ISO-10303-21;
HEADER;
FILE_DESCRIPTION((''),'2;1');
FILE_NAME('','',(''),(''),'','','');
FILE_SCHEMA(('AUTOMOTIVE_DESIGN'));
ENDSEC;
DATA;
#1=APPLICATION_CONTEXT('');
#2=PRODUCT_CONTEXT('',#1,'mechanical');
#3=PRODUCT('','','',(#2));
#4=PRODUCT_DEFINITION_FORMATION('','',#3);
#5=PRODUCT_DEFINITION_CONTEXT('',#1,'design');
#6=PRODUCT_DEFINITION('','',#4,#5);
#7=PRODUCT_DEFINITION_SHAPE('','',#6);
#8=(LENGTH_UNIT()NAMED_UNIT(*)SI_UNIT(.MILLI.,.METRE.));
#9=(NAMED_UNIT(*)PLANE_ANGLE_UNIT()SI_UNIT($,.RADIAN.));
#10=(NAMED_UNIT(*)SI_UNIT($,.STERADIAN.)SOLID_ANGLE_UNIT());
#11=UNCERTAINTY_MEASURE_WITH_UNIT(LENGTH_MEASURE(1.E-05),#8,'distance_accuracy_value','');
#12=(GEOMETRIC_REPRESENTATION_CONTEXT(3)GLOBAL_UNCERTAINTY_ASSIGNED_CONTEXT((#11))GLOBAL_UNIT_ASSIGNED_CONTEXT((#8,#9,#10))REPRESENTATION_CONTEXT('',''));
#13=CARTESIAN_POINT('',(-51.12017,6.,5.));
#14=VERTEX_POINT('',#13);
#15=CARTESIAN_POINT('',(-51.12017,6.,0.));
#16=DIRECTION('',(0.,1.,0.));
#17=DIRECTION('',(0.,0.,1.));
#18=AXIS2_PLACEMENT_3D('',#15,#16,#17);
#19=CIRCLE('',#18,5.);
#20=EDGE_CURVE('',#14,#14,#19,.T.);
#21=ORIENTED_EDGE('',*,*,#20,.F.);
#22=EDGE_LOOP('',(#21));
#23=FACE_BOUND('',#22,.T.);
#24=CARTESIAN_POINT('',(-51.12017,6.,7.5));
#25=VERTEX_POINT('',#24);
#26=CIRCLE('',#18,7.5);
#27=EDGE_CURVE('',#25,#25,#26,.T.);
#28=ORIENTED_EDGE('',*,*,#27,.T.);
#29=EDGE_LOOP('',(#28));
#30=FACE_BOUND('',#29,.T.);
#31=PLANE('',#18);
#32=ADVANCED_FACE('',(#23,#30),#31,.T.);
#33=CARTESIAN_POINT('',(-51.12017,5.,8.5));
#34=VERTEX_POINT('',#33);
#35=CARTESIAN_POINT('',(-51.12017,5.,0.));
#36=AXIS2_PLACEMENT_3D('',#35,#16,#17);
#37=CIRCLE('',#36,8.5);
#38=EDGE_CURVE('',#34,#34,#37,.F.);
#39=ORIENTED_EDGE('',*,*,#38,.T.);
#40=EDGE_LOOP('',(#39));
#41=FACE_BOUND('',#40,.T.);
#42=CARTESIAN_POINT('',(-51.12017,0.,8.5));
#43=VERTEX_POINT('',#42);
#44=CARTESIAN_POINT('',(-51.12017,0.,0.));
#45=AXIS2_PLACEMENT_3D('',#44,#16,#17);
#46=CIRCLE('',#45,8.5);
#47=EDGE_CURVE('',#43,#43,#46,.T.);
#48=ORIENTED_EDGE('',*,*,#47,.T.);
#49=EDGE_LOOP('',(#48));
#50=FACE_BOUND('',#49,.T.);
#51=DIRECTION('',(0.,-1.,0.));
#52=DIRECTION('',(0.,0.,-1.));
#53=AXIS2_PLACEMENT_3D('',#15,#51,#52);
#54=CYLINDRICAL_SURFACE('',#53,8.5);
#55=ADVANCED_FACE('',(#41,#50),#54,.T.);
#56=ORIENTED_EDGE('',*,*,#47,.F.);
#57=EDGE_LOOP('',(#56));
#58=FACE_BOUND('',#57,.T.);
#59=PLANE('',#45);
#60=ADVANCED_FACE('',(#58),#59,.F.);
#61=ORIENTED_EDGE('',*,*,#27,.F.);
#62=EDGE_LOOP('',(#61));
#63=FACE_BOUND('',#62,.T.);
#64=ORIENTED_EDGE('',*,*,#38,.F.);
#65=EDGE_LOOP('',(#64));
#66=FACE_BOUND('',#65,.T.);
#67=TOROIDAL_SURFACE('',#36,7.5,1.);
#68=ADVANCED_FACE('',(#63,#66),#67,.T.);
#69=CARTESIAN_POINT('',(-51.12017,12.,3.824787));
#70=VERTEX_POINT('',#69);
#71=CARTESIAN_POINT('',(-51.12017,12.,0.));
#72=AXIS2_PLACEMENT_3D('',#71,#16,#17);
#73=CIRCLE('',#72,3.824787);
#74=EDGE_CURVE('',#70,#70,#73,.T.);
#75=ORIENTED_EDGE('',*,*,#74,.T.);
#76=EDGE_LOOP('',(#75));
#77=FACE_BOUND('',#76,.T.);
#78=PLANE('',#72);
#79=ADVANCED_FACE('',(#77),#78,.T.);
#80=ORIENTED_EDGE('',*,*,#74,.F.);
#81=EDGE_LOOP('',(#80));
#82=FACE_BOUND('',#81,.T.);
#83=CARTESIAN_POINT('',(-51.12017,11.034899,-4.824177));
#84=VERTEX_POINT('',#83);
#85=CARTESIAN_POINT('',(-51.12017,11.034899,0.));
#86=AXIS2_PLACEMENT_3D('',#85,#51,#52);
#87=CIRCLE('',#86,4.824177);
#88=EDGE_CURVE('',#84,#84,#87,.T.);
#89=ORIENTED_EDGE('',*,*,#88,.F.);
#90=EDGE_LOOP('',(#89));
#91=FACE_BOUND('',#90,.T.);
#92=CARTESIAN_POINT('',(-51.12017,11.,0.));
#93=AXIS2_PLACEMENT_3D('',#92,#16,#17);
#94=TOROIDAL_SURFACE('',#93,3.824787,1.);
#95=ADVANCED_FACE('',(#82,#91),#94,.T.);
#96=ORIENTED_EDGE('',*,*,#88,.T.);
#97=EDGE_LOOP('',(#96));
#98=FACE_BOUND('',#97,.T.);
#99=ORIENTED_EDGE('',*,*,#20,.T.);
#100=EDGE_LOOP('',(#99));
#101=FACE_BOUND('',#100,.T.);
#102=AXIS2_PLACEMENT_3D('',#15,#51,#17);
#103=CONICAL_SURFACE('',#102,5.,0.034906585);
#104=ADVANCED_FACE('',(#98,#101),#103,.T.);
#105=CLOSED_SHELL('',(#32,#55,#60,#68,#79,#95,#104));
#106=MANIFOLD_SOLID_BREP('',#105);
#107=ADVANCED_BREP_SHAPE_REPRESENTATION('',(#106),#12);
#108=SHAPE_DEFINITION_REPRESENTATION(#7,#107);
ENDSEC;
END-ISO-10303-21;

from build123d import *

# Parameters (mm, degrees)
SKETCH1_R           = 8.5
BOSS_EXTRUDE1_DEPTH = 6
FILLET2_R           = 1
SKETCH2_R           = 5
BOSS_EXTRUDE3_DEPTH = 6
BOSS_EXTRUDE3_TAPER = 2
FILLET4_R           = 1


with BuildPart() as part:
    # Sketch1 → Boss-Extrude1 (new body)
    with BuildSketch(Plane(origin=(0, 0, 0), x_dir=(1, 0, 0), z_dir=(0, 1, 0))):
        with Locations(Location((-51.120170416, 0, 0), (0, 0, 270))):
            Circle(SKETCH1_R)
    extrude(amount=BOSS_EXTRUDE1_DEPTH)

    # Fillet2
    fillet2_edges = [part.edges().sort_by_distance(p)[0] for p in [
        (-51.120170416, 6, -8.5),
    ]]
    fillet(fillet2_edges, radius=FILLET2_R)

    # Sketch2 → Boss-Extrude3 (add)
    with BuildSketch(Plane(origin=(0, 6, 0), x_dir=(1, 0, 0), z_dir=(0, 1, 0))):
        with Locations((-51.120170416, 0)):
            Circle(SKETCH2_R)
    extrude(amount=BOSS_EXTRUDE3_DEPTH, taper=BOSS_EXTRUDE3_TAPER)

    # Fillet4
    fillet4_edges = [part.edges().sort_by_distance(p)[0] for p in [
        (-55.9106458, 12, 0),
    ]]
    fillet(fillet4_edges, radius=FILLET4_R)


solid = part.part
